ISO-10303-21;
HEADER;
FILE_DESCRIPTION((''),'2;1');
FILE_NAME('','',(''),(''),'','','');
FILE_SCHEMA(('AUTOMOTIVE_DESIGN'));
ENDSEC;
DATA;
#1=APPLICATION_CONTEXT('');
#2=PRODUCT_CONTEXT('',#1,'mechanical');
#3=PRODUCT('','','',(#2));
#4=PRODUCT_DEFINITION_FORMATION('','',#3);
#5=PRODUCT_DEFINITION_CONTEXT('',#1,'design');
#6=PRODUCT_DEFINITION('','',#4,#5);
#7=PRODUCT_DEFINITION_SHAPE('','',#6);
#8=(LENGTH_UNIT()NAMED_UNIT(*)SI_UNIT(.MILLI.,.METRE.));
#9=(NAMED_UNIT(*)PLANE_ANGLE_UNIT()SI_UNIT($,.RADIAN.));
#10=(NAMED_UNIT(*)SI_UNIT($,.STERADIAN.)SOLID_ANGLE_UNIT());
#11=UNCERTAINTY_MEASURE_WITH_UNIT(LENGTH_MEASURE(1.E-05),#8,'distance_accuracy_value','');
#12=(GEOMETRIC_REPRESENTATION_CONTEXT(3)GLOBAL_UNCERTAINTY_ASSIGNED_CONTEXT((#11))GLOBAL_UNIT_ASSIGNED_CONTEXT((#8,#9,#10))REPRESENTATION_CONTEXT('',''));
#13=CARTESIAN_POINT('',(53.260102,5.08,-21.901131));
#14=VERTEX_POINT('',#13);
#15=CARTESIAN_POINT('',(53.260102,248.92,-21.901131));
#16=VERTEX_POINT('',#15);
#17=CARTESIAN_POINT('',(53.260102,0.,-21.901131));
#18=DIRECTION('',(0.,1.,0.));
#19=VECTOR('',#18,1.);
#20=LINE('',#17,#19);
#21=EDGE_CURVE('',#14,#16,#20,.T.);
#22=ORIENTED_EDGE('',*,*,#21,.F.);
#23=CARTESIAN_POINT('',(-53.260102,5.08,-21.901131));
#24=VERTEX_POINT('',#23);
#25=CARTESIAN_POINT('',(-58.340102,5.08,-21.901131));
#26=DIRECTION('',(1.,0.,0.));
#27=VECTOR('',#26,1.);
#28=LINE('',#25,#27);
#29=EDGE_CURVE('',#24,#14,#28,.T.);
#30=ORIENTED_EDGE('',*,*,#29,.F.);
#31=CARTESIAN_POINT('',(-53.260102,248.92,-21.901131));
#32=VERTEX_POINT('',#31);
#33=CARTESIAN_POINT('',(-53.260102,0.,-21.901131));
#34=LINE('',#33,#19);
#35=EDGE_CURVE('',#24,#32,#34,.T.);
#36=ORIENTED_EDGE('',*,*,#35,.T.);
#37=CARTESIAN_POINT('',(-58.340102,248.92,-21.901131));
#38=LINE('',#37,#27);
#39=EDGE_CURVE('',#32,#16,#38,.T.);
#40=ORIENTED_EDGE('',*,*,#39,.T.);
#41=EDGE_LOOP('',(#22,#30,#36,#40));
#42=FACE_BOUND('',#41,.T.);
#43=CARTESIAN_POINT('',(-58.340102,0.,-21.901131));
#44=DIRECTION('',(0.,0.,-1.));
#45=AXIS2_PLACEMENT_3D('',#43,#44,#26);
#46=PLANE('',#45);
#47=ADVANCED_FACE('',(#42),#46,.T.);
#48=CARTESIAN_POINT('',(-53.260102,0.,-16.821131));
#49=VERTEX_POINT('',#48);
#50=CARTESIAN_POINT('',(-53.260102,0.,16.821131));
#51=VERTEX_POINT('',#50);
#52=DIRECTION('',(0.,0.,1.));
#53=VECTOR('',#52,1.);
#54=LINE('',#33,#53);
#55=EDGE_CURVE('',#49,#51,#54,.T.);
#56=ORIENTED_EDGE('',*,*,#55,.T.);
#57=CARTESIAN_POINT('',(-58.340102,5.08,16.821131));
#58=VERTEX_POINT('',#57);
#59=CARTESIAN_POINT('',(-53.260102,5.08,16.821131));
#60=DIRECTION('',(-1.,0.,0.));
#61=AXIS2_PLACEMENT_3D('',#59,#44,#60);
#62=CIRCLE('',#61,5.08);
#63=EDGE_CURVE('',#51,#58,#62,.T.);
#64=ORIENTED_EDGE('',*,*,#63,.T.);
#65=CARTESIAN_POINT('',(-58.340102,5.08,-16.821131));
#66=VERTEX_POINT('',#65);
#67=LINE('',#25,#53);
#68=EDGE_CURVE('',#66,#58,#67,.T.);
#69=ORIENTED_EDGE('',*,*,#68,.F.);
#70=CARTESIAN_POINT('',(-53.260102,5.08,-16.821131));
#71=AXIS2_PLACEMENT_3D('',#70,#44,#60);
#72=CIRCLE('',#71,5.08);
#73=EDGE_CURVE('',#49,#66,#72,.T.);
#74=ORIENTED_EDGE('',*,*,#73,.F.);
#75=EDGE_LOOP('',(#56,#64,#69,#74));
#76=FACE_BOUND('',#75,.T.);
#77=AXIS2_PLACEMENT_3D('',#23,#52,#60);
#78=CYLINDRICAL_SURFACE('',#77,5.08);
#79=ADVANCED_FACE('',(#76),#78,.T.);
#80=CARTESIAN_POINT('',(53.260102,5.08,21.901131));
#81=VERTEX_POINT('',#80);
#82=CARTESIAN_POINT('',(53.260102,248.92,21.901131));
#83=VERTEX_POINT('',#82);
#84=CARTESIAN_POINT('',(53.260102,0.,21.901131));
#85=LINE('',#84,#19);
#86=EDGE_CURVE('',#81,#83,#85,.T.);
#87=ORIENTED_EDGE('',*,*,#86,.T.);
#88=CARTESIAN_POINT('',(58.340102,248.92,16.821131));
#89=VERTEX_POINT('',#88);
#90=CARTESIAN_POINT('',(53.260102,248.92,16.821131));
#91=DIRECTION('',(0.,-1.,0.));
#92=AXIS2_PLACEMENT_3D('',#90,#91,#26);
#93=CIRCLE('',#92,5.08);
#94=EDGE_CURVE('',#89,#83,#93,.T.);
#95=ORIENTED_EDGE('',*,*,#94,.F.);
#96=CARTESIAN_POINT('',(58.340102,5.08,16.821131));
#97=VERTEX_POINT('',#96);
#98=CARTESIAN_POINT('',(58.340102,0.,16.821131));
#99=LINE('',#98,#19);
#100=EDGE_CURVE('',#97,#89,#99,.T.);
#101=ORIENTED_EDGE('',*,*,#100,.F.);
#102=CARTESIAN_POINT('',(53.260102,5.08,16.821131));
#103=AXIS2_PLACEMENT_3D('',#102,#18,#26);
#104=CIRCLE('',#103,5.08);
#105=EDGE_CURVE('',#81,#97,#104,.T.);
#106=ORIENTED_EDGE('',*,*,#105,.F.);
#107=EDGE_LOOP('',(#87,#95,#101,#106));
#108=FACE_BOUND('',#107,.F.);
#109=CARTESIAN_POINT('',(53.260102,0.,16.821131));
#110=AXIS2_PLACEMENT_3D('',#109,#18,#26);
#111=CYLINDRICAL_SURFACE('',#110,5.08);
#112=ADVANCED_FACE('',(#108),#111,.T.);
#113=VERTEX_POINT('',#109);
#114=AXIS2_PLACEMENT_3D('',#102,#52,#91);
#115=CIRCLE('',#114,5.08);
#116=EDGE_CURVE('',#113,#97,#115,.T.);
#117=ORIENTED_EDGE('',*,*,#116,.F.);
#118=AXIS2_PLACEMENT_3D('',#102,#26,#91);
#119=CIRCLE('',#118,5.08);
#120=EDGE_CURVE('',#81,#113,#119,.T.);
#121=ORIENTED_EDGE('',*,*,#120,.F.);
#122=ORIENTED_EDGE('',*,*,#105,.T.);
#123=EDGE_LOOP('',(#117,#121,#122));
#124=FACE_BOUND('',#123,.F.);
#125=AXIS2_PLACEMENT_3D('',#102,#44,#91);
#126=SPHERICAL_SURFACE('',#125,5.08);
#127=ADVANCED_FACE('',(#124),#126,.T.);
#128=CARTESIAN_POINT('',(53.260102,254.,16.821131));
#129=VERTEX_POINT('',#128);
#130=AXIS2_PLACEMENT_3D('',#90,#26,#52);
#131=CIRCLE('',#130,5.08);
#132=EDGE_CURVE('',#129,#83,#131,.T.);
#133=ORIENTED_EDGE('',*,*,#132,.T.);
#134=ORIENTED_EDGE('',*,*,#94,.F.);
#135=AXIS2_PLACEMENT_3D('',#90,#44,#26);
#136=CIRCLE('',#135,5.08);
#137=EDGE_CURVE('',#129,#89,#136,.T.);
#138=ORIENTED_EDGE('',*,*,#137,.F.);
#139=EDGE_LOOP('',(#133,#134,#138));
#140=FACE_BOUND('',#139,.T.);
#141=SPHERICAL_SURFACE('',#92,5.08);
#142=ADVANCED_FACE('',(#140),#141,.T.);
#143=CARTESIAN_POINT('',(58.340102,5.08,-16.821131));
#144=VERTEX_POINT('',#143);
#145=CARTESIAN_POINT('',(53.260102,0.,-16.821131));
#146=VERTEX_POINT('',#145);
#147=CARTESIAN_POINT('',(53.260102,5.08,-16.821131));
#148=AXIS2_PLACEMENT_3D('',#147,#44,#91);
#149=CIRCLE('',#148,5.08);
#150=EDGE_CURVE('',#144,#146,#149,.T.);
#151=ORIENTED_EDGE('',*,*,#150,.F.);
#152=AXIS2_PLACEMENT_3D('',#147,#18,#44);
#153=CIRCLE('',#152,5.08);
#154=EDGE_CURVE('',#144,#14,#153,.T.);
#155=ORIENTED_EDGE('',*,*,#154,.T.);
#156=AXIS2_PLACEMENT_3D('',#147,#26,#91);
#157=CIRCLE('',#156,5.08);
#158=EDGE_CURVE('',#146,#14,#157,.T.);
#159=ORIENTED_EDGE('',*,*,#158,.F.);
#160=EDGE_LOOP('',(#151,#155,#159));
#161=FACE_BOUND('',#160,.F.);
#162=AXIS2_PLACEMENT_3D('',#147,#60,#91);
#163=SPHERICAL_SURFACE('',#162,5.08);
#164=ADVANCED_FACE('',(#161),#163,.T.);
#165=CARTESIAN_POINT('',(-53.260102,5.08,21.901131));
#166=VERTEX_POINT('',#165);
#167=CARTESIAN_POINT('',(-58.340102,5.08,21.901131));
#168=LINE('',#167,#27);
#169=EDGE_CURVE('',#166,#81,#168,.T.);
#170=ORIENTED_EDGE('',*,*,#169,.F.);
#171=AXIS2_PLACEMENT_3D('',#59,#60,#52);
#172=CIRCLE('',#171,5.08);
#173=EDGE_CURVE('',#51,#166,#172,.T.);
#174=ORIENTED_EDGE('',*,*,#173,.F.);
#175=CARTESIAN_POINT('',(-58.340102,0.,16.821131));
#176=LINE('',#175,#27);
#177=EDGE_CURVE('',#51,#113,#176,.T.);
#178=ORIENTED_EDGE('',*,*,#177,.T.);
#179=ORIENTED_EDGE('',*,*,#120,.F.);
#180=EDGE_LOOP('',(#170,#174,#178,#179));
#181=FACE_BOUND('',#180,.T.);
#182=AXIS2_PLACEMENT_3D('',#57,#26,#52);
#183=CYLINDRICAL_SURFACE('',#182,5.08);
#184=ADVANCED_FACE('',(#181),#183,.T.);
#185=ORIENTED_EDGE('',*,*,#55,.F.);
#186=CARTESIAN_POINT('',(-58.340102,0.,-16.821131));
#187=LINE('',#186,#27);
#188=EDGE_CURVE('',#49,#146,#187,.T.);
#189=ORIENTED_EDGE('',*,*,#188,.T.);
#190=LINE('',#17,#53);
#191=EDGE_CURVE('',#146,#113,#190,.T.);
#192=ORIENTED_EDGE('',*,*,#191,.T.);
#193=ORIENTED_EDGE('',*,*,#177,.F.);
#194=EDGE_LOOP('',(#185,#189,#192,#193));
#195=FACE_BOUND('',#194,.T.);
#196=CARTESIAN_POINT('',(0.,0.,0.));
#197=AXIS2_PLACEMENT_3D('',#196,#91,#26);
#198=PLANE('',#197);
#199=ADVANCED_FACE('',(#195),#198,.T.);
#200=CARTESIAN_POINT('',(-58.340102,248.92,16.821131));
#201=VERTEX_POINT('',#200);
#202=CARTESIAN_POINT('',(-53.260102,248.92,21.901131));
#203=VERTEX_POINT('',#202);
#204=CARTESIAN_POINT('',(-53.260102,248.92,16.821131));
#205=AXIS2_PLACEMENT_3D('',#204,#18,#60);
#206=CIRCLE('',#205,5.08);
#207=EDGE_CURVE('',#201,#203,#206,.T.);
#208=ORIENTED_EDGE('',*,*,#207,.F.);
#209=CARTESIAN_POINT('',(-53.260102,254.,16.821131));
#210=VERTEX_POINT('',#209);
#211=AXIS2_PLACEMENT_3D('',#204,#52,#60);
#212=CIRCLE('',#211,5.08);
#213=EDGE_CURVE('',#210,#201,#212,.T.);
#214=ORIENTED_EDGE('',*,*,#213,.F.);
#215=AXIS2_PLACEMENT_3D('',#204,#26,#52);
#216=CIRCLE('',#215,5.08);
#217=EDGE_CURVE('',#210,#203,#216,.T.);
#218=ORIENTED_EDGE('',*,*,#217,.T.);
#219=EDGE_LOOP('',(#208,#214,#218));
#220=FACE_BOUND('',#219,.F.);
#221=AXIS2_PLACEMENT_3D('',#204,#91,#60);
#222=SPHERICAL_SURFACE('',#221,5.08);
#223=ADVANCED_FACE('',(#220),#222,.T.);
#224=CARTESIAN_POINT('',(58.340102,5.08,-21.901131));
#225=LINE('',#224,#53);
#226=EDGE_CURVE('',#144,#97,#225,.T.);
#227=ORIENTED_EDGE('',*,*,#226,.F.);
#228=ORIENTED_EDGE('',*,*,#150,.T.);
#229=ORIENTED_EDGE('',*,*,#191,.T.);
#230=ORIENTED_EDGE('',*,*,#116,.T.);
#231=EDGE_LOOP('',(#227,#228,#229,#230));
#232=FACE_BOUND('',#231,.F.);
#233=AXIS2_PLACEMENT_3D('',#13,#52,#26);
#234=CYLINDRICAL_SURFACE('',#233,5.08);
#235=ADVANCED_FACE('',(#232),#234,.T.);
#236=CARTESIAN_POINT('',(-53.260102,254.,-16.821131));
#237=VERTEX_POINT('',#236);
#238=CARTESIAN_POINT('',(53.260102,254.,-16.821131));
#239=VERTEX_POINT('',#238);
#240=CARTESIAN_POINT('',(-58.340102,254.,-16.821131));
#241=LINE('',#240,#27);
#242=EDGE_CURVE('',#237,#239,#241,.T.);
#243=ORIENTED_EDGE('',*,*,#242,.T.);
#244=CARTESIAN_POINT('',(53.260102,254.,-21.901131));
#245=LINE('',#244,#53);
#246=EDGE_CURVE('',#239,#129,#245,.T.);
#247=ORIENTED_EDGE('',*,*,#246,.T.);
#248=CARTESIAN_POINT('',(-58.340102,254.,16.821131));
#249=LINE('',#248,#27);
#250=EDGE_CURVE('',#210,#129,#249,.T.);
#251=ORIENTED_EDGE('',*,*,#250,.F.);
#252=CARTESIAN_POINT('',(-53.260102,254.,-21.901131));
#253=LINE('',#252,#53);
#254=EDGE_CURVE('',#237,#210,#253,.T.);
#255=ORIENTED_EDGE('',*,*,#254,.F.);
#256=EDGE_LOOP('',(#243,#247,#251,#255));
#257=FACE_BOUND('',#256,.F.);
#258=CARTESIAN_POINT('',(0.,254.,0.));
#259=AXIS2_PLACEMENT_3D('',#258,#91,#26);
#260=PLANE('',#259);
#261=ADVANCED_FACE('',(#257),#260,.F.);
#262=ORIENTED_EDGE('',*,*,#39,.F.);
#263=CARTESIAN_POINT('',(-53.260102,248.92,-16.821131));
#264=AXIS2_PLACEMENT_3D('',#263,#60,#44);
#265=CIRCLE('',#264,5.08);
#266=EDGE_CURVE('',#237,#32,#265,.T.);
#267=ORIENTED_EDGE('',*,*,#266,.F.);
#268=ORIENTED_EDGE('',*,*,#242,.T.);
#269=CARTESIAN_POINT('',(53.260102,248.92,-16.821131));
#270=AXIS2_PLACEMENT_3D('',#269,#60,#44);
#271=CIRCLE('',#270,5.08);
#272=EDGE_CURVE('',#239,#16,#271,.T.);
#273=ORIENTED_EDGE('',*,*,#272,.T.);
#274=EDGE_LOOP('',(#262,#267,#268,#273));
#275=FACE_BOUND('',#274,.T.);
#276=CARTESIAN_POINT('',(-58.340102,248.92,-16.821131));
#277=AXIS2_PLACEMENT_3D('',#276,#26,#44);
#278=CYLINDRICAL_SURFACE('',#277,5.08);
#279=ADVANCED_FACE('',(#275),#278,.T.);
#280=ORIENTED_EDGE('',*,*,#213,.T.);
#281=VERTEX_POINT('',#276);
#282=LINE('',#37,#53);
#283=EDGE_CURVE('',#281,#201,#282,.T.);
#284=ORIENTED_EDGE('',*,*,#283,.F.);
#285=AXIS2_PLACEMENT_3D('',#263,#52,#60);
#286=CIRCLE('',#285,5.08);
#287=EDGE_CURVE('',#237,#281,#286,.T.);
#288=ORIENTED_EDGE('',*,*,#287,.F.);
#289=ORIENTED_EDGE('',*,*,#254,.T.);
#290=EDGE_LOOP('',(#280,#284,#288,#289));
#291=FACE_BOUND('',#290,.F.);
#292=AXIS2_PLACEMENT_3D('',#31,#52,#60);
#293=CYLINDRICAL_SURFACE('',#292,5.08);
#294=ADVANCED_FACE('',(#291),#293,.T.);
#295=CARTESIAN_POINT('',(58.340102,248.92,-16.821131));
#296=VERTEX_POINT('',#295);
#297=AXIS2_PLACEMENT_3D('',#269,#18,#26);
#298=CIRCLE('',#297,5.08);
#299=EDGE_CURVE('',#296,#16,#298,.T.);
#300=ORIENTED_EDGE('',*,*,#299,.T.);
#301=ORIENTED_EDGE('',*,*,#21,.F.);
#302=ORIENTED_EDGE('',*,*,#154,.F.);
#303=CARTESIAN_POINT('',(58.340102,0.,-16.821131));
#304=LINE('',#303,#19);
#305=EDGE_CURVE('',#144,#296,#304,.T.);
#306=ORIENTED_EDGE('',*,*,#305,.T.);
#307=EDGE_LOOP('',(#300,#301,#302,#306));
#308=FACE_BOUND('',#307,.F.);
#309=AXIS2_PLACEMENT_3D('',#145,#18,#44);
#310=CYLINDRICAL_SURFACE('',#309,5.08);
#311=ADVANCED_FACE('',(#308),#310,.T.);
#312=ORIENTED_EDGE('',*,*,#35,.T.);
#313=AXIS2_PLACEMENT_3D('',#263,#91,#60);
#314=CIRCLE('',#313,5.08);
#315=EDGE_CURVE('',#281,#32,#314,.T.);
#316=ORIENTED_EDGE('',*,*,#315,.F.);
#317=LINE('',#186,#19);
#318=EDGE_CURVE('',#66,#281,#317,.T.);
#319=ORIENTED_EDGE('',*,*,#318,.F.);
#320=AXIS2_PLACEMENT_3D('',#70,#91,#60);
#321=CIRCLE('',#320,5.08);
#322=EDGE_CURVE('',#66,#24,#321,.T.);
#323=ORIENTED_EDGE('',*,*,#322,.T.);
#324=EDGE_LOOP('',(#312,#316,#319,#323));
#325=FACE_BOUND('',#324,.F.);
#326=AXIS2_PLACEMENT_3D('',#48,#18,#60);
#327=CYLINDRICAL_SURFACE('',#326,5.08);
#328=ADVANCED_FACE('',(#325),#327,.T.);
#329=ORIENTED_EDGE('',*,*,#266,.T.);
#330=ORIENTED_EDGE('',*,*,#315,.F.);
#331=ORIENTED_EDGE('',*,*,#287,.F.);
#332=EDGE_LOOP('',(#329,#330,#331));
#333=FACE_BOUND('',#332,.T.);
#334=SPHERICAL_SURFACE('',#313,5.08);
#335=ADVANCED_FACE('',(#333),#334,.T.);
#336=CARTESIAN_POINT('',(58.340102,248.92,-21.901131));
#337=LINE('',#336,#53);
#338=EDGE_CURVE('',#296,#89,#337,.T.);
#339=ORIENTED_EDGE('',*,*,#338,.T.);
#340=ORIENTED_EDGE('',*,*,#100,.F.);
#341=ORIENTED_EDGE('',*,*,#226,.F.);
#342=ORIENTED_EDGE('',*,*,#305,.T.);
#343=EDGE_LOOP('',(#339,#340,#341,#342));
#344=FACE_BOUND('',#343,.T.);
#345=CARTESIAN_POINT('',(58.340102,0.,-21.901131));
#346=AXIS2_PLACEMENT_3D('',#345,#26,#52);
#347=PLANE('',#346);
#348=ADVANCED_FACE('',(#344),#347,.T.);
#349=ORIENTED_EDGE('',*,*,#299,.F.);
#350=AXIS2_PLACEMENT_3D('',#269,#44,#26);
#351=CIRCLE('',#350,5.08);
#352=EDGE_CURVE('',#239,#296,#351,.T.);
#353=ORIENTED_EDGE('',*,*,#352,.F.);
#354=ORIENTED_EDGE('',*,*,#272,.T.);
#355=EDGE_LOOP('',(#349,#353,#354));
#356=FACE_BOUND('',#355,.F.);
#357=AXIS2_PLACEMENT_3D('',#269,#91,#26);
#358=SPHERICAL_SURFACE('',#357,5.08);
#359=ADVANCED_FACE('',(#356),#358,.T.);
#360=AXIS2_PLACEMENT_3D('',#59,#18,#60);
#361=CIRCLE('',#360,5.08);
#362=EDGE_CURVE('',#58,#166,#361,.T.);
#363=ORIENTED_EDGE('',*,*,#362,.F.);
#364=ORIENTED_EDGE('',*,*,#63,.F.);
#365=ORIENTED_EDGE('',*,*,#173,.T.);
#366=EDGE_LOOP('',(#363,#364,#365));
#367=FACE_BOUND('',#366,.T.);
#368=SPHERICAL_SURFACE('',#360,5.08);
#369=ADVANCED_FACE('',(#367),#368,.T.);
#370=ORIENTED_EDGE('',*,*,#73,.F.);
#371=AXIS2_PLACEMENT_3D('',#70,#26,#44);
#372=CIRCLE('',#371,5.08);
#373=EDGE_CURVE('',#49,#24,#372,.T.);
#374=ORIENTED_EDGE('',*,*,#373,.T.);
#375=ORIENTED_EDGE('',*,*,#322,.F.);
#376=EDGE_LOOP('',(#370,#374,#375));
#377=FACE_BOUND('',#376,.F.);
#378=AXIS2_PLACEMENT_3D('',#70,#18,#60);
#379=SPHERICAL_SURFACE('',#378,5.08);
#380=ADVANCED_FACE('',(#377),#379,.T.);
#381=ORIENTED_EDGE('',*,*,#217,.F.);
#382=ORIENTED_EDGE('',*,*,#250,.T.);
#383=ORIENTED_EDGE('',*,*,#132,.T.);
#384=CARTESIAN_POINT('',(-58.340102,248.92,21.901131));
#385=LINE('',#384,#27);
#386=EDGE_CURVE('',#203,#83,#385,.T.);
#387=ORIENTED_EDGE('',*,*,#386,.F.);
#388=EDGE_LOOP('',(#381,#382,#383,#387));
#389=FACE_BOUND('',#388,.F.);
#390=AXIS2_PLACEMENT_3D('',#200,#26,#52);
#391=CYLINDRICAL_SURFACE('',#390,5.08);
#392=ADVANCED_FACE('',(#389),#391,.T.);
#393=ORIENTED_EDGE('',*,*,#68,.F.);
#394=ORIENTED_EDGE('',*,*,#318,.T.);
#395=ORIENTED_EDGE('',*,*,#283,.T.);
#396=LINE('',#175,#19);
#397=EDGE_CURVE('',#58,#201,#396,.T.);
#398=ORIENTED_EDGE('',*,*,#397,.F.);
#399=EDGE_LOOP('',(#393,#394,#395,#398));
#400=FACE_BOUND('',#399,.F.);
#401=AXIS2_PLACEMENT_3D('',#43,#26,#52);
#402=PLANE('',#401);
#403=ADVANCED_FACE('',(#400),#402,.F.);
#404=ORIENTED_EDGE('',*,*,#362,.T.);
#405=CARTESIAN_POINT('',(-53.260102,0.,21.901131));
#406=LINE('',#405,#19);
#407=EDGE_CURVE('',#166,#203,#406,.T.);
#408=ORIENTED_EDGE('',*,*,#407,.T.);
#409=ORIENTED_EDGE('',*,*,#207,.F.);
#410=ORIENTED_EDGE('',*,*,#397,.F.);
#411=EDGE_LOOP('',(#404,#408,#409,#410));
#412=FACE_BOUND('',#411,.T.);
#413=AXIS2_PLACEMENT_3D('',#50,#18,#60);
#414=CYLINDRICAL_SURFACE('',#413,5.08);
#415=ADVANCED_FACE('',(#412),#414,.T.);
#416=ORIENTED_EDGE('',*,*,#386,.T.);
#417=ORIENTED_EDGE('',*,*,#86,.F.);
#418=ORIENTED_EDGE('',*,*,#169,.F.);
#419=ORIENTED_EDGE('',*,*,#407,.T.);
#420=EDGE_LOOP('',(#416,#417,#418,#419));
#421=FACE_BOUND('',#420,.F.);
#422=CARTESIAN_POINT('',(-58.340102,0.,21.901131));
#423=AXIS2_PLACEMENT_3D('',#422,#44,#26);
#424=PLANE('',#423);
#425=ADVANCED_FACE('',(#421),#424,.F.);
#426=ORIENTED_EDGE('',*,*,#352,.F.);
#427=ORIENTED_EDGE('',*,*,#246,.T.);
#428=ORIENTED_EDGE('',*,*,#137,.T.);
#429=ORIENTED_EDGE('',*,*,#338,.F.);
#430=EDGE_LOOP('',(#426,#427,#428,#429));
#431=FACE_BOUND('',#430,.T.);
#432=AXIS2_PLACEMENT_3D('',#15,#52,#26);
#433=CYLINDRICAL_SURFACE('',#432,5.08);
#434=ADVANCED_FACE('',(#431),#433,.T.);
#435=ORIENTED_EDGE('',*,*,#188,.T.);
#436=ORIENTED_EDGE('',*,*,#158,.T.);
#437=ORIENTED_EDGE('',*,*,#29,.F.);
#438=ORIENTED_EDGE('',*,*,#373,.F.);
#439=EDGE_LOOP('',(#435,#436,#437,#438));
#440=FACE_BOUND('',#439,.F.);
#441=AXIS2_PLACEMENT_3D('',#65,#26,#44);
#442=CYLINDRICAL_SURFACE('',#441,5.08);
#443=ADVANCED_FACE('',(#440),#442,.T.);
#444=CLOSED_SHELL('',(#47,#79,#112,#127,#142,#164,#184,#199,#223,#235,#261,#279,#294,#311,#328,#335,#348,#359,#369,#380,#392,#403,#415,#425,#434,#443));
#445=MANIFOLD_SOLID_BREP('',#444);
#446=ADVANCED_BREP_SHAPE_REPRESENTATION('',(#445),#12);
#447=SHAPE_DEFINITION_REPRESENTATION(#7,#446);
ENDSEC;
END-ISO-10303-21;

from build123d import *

# Parameters (mm, degrees)
F0_W     = 116.680204
F0_H     = 43.802262
F1_DEPTH = 254
F2_R     = 5.08


with BuildPart() as f1:
    # F0 (on Front) → F1 (new body)
    with BuildSketch(Plane.XZ):
        Rectangle(F0_W, F0_H)
    extrude(amount=-F1_DEPTH)

    # F2
    f2_edges = [f1.edges().sort_by_distance(p)[0] for p in [
        (-58.340102, 127, 21.901131),
        (-58.340102, 127, -21.901131),
        (-58.340102, 0, 0),
        (-58.340102, 254, 0),
        (0, 0, -21.901131),
        (58.340102, 0, 0),
        (0, 0, 21.901131),
        (58.340102, 127, -21.901131),
        (58.340102, 127, 21.901131),
        (58.340102, 254, 0),
        (0, 254, -21.901131),
        (0, 254, 21.901131),
    ]]
    fillet(f2_edges, radius=F2_R)


solid = f1.part
